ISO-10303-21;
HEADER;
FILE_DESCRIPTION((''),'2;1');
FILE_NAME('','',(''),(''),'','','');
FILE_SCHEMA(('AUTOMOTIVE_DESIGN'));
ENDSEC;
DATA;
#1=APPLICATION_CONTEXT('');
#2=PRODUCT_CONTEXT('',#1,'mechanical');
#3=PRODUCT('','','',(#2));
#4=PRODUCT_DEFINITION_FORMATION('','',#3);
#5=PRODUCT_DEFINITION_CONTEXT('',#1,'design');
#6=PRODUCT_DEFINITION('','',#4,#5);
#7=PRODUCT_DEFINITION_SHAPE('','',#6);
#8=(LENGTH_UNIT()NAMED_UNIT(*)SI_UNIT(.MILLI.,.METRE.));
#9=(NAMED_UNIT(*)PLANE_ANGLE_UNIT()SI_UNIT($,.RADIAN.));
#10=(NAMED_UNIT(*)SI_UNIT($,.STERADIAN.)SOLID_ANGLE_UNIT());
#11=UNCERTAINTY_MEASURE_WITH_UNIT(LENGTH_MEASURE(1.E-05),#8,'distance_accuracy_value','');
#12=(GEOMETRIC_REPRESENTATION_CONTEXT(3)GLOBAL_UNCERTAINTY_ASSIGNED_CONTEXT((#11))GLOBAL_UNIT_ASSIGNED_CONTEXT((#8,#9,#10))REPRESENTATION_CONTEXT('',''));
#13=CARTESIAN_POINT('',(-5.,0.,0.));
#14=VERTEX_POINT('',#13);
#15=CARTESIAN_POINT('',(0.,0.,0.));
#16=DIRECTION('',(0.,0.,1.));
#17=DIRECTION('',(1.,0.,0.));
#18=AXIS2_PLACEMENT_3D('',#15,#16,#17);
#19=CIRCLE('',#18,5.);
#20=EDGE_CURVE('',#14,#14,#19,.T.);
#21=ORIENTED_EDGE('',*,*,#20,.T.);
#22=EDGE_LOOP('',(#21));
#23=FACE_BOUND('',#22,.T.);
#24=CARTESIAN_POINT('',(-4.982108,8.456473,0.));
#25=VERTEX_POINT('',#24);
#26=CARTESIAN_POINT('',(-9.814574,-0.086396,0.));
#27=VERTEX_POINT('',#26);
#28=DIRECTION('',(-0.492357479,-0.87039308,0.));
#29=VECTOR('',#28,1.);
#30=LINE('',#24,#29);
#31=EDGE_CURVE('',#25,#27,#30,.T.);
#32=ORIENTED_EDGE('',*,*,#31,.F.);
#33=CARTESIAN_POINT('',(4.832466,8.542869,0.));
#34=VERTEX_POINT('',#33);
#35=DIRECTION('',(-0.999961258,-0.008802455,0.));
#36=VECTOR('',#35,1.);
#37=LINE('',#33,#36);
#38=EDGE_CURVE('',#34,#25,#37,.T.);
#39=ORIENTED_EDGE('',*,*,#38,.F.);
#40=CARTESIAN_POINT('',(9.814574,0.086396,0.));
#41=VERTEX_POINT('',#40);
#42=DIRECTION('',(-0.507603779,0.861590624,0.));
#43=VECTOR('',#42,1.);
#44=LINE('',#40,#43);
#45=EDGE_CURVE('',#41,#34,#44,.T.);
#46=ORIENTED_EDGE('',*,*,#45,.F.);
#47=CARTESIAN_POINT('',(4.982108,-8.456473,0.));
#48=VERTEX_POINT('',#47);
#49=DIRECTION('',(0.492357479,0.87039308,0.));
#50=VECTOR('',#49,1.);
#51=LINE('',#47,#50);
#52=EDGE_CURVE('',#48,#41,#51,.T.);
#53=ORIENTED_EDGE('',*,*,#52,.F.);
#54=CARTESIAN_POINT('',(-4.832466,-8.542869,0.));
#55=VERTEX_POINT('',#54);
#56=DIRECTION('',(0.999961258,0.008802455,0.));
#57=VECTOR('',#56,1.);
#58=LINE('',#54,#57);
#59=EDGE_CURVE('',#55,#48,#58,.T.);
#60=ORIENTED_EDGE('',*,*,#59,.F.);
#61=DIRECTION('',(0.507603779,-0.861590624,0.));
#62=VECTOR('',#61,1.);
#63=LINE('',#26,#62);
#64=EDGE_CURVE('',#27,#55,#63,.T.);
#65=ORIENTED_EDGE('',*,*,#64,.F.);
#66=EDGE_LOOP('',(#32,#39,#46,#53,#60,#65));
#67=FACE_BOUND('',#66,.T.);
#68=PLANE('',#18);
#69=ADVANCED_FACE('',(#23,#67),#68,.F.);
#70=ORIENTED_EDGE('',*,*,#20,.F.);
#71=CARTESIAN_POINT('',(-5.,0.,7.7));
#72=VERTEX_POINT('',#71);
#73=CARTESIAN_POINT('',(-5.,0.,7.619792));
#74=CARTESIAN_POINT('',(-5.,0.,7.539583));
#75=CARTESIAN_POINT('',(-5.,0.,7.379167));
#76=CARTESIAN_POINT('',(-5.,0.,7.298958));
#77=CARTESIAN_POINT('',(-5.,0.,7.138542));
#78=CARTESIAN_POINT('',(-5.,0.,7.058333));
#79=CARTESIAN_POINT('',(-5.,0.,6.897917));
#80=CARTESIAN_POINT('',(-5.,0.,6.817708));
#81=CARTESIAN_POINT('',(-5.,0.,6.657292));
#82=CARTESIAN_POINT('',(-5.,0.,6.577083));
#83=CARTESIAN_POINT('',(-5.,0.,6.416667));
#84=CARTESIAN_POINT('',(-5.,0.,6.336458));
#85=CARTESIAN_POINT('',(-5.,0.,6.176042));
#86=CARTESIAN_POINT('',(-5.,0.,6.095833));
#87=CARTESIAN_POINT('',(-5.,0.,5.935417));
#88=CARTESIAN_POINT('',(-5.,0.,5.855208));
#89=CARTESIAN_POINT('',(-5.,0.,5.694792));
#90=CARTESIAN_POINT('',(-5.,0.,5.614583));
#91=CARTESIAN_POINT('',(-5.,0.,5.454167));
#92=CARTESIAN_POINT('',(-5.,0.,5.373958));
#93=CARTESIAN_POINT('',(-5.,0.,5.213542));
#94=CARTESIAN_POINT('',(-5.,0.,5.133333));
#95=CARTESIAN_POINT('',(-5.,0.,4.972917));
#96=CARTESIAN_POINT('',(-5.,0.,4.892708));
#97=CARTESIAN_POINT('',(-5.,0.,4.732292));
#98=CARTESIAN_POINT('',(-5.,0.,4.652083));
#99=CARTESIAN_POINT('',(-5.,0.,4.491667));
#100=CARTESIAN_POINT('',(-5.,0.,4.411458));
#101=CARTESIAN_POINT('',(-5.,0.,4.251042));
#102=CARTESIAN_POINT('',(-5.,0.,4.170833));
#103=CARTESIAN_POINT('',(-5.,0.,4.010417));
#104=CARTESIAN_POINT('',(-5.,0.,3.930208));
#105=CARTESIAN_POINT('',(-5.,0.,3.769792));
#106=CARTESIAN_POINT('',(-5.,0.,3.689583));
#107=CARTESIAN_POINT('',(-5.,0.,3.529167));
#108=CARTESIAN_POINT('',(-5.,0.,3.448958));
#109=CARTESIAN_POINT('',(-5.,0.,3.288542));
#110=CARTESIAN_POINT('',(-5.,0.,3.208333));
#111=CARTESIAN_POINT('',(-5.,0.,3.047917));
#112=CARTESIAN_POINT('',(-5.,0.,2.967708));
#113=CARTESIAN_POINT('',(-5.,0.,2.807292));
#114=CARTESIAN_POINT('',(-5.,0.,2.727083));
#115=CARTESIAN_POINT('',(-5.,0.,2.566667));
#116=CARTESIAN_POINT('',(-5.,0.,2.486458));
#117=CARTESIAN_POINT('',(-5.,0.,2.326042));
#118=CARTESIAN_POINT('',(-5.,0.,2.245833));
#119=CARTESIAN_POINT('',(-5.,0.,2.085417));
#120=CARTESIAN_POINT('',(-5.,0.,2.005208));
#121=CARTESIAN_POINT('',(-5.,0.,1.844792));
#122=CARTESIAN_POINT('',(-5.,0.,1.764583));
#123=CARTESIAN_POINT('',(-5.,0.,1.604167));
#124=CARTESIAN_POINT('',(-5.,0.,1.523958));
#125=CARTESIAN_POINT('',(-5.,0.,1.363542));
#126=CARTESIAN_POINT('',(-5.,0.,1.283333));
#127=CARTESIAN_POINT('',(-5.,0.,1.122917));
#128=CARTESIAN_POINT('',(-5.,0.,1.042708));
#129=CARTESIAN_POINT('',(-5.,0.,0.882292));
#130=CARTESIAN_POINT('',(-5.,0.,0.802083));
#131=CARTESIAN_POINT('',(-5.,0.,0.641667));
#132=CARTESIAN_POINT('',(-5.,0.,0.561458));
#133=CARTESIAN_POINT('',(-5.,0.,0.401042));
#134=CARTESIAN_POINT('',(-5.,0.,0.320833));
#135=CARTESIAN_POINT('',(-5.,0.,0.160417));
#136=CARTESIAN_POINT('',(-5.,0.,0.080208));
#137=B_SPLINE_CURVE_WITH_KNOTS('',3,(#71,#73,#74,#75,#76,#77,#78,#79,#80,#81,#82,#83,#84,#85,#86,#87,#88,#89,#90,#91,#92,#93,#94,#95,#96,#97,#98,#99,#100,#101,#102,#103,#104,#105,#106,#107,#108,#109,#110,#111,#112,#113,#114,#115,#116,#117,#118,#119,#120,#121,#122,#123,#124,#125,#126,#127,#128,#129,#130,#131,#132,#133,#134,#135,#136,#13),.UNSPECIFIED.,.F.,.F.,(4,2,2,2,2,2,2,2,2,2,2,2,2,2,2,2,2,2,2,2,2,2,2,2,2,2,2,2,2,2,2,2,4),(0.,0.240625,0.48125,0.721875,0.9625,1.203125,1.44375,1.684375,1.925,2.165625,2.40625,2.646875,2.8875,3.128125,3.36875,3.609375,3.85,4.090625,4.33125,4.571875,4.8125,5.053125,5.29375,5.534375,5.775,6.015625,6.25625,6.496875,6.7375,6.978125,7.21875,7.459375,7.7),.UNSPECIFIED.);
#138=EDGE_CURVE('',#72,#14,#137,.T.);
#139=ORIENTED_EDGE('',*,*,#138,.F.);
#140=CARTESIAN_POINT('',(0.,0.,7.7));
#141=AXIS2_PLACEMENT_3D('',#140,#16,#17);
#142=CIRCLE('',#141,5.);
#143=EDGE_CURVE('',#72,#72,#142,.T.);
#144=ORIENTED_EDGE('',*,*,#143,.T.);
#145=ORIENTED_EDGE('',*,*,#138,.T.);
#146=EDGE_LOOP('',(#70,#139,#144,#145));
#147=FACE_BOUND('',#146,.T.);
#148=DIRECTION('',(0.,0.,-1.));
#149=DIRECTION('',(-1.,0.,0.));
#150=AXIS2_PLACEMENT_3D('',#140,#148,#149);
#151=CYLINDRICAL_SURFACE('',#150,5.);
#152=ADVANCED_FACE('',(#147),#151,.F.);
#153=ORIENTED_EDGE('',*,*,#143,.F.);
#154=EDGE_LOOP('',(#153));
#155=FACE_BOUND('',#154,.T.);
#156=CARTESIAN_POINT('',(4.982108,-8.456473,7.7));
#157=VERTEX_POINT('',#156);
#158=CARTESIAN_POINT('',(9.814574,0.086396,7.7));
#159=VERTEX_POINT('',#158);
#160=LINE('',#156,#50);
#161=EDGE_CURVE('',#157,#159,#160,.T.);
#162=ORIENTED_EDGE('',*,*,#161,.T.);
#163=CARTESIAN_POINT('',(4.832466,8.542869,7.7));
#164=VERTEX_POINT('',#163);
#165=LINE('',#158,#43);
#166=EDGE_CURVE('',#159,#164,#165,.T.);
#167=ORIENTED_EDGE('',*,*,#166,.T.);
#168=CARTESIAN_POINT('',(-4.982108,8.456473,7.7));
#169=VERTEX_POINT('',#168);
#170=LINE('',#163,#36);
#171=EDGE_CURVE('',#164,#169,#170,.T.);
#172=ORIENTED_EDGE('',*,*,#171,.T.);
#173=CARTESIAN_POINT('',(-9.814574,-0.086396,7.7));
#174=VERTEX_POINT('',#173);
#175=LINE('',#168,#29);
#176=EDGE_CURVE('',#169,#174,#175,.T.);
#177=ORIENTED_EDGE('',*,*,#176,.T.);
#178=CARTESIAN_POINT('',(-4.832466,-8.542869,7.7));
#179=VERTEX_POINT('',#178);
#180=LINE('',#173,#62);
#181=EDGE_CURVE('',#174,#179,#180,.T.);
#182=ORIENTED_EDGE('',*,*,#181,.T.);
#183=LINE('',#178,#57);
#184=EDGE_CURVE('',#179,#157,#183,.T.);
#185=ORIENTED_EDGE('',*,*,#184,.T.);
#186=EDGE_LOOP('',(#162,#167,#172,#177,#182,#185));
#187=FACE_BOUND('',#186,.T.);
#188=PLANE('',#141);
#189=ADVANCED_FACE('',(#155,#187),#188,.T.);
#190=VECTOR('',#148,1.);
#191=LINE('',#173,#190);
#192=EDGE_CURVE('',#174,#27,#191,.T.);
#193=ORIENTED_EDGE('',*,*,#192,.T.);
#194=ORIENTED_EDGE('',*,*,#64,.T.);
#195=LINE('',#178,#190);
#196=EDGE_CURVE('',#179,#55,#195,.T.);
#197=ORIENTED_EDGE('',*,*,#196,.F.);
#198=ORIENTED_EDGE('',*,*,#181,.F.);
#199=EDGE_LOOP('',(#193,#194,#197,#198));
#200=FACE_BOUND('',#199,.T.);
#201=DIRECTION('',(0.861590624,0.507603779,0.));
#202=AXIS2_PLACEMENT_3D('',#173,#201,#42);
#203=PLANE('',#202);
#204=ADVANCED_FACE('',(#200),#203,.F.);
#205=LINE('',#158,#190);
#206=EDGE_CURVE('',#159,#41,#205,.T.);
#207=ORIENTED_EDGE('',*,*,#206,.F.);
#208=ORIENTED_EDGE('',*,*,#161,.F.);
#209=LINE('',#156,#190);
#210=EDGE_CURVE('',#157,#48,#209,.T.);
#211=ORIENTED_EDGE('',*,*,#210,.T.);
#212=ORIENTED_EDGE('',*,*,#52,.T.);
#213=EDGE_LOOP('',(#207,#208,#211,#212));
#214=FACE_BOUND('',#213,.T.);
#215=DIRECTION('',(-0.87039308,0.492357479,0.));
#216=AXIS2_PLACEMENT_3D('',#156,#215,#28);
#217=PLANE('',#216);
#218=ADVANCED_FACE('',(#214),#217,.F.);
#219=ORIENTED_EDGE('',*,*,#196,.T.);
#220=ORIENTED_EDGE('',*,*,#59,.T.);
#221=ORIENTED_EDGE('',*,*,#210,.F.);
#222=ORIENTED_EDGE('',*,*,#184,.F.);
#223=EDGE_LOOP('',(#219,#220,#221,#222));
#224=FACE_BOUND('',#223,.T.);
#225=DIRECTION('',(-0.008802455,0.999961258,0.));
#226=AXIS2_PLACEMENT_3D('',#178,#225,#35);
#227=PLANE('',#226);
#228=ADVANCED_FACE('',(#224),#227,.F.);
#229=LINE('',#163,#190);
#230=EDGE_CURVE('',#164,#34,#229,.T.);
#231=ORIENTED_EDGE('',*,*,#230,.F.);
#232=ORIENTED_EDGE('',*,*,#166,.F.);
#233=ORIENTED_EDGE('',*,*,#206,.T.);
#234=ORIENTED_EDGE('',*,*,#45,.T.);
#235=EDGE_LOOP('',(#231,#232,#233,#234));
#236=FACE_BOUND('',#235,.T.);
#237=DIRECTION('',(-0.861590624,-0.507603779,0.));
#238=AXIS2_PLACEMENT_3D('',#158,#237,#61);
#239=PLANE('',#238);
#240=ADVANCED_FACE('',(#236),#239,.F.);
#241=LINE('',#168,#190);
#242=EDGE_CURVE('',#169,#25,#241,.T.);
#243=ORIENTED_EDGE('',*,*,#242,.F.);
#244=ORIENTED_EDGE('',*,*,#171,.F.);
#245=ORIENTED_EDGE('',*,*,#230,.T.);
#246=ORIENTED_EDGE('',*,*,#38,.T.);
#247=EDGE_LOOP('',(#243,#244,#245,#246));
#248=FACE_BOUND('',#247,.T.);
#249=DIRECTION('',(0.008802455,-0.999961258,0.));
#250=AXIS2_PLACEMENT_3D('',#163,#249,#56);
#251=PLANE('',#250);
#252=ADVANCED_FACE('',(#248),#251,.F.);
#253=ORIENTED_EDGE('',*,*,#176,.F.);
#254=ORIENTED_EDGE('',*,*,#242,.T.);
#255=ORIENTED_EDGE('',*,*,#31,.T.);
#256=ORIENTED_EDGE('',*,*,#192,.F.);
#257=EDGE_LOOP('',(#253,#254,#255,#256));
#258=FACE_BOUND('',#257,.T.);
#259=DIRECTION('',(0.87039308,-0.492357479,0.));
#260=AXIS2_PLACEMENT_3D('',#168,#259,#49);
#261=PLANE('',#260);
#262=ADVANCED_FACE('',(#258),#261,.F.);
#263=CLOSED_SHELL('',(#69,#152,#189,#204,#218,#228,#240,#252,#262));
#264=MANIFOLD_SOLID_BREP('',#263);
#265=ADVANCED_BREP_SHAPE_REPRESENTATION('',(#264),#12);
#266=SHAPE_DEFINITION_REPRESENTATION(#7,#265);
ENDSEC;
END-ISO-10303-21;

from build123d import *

# Parameters (mm, degrees)
SKETCH_1_R      = 5
EXTRUDE_1_DEPTH = 7.7


with BuildPart() as part:
    # 草图1 → 凸台-拉伸1 (new body)
    with BuildSketch(Plane.XY):
        Polygon((4.98210803, -8.456472841), (9.814574322, 0.086395698), (4.832466291, 8.542868539), (-4.98210803, 8.456472841), (-9.814574322, -0.086395698), (-4.832466291, -8.542868539), align=None)
        with Locations(Location((0, 0, 0), (0, 0, 180))):
            Circle(SKETCH_1_R, mode=Mode.SUBTRACT)
    extrude(amount=EXTRUDE_1_DEPTH)


solid = part.part
